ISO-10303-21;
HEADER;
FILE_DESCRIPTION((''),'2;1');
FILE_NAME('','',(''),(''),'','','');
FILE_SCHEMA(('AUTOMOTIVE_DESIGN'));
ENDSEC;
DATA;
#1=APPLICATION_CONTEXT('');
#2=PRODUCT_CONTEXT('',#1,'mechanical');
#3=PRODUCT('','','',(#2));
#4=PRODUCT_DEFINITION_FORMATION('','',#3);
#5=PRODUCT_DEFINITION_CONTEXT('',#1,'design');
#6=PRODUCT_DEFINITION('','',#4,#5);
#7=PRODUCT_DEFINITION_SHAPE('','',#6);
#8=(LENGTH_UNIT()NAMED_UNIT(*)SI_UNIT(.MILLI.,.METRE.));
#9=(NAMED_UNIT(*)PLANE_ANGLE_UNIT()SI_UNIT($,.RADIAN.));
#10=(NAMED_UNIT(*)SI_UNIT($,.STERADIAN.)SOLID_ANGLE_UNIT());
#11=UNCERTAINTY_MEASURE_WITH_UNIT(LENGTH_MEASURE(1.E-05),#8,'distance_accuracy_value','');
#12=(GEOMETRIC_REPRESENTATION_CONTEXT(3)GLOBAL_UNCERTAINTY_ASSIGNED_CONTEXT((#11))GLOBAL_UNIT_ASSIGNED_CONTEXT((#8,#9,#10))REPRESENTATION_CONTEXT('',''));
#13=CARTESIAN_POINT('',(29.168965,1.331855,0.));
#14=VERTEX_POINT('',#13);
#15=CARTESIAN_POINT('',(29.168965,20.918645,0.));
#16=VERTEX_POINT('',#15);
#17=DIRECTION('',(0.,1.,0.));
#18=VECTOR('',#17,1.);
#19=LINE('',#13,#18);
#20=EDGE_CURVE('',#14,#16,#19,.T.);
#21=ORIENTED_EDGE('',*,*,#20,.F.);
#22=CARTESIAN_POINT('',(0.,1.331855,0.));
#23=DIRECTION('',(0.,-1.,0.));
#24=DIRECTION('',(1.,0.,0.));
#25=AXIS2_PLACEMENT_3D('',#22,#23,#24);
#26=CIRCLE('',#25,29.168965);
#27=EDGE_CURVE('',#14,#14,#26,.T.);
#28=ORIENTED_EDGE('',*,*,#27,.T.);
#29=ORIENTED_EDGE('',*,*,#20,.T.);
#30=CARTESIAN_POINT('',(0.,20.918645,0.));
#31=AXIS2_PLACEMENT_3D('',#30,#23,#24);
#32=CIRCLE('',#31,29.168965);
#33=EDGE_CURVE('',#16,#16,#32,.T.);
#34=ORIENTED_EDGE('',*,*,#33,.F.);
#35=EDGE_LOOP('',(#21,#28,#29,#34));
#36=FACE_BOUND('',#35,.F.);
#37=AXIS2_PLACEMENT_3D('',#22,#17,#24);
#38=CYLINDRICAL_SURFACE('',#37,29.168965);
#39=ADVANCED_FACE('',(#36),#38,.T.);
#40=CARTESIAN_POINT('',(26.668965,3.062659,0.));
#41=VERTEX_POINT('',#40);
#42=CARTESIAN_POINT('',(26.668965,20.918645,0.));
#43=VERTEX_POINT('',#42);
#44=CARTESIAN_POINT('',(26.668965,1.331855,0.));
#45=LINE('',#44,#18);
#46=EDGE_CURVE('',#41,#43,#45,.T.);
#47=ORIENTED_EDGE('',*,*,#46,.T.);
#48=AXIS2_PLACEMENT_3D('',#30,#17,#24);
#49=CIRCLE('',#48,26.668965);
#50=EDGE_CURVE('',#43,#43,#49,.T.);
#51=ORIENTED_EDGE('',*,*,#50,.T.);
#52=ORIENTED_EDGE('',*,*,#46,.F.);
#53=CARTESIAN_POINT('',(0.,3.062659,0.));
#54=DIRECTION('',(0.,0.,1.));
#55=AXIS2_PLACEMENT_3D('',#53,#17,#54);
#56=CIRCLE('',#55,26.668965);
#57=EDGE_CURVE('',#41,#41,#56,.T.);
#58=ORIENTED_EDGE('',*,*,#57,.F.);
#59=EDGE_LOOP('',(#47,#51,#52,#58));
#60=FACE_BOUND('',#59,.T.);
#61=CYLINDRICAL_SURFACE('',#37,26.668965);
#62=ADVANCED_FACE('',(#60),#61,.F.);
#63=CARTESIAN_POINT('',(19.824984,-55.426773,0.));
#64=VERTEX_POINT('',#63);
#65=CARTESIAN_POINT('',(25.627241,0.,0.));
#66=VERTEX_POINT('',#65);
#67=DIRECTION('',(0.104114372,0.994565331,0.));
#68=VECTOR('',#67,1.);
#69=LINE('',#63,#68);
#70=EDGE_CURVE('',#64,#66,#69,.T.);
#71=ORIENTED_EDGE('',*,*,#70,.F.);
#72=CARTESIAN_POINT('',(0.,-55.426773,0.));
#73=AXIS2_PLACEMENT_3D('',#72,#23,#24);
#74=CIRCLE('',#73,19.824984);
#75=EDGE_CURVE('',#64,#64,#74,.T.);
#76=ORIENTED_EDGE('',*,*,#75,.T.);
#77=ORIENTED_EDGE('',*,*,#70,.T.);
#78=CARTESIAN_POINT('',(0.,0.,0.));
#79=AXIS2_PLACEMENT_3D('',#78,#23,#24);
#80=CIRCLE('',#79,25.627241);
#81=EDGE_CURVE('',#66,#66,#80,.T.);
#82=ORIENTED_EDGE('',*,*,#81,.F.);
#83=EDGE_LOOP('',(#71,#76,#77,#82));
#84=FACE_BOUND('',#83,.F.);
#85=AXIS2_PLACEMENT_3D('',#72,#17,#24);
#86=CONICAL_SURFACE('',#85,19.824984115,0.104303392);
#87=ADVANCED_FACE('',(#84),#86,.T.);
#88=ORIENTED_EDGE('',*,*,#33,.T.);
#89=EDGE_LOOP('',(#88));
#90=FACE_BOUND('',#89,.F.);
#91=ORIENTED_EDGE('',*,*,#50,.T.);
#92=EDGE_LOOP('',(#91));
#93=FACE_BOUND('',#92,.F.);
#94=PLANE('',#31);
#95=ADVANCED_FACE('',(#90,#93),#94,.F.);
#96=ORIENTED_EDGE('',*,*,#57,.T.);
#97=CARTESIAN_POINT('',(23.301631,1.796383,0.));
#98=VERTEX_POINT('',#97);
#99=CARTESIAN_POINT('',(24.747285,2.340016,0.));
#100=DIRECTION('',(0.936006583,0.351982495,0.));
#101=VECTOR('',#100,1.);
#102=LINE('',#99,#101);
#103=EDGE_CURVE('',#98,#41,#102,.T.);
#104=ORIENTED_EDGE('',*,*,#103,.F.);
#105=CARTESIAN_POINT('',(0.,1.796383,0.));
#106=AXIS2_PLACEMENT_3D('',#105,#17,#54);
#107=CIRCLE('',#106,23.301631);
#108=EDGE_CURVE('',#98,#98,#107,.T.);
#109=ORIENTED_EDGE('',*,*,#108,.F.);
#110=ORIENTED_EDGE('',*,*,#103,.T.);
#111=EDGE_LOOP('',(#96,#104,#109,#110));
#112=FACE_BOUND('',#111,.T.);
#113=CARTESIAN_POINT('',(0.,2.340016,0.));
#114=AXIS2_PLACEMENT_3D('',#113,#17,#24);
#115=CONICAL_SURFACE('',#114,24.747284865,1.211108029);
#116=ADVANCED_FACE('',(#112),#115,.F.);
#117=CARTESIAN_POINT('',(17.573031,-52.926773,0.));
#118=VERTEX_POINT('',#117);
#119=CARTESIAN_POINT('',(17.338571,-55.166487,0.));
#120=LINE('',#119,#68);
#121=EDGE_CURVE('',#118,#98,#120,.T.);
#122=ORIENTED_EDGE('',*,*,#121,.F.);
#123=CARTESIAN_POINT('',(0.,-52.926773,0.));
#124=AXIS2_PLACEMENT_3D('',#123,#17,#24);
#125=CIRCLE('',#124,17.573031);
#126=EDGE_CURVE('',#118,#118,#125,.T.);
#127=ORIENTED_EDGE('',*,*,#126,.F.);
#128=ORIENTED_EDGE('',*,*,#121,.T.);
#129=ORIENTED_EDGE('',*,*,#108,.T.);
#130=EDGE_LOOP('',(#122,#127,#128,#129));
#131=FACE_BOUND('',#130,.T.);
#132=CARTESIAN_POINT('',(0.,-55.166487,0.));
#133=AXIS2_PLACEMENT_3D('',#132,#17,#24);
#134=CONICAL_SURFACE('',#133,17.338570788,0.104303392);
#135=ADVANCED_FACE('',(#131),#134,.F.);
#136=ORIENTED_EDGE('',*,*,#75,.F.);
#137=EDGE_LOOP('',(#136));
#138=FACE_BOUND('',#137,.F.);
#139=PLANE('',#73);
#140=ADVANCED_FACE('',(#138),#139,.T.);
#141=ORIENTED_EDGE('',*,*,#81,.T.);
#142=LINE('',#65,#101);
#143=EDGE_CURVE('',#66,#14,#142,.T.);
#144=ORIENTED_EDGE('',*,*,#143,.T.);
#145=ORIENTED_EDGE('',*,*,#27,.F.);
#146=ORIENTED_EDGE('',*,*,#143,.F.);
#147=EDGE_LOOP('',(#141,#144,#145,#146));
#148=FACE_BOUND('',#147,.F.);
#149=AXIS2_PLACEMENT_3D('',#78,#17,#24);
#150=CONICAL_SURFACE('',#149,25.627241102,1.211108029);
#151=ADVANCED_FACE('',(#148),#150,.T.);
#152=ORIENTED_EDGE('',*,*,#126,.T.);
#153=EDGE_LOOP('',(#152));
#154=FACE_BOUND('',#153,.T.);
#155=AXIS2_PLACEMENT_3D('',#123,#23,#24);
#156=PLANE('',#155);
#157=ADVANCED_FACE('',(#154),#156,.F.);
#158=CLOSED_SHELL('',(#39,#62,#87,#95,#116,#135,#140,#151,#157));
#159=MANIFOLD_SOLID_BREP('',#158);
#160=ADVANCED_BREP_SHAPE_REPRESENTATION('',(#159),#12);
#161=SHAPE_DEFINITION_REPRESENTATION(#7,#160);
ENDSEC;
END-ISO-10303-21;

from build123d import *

# Parameters (mm, degrees)
F2_T = -2.5


with BuildPart() as f1:
    # F0 (on Top) → F1 (revolve)
    with BuildSketch(Plane.XY):
        Polygon((29.168965295, 20.9186449647), (0, 20.9186449647), (0, -55.4267726839), (19.8249841153, -55.4267726839), (25.6272411018, 0), (29.168965295, 1.331854861), align=None)
    revolve(axis=Axis((0, 0.3053806722, 0), (0, -1, 0)))

    # F2
    f2_openings = [f1.faces().sort_by_distance(p)[0] for p in [
        (0, 20.918645, 0),
    ]]
    offset(amount=F2_T, openings=f2_openings, kind=Kind.INTERSECTION)


solid = f1.part
